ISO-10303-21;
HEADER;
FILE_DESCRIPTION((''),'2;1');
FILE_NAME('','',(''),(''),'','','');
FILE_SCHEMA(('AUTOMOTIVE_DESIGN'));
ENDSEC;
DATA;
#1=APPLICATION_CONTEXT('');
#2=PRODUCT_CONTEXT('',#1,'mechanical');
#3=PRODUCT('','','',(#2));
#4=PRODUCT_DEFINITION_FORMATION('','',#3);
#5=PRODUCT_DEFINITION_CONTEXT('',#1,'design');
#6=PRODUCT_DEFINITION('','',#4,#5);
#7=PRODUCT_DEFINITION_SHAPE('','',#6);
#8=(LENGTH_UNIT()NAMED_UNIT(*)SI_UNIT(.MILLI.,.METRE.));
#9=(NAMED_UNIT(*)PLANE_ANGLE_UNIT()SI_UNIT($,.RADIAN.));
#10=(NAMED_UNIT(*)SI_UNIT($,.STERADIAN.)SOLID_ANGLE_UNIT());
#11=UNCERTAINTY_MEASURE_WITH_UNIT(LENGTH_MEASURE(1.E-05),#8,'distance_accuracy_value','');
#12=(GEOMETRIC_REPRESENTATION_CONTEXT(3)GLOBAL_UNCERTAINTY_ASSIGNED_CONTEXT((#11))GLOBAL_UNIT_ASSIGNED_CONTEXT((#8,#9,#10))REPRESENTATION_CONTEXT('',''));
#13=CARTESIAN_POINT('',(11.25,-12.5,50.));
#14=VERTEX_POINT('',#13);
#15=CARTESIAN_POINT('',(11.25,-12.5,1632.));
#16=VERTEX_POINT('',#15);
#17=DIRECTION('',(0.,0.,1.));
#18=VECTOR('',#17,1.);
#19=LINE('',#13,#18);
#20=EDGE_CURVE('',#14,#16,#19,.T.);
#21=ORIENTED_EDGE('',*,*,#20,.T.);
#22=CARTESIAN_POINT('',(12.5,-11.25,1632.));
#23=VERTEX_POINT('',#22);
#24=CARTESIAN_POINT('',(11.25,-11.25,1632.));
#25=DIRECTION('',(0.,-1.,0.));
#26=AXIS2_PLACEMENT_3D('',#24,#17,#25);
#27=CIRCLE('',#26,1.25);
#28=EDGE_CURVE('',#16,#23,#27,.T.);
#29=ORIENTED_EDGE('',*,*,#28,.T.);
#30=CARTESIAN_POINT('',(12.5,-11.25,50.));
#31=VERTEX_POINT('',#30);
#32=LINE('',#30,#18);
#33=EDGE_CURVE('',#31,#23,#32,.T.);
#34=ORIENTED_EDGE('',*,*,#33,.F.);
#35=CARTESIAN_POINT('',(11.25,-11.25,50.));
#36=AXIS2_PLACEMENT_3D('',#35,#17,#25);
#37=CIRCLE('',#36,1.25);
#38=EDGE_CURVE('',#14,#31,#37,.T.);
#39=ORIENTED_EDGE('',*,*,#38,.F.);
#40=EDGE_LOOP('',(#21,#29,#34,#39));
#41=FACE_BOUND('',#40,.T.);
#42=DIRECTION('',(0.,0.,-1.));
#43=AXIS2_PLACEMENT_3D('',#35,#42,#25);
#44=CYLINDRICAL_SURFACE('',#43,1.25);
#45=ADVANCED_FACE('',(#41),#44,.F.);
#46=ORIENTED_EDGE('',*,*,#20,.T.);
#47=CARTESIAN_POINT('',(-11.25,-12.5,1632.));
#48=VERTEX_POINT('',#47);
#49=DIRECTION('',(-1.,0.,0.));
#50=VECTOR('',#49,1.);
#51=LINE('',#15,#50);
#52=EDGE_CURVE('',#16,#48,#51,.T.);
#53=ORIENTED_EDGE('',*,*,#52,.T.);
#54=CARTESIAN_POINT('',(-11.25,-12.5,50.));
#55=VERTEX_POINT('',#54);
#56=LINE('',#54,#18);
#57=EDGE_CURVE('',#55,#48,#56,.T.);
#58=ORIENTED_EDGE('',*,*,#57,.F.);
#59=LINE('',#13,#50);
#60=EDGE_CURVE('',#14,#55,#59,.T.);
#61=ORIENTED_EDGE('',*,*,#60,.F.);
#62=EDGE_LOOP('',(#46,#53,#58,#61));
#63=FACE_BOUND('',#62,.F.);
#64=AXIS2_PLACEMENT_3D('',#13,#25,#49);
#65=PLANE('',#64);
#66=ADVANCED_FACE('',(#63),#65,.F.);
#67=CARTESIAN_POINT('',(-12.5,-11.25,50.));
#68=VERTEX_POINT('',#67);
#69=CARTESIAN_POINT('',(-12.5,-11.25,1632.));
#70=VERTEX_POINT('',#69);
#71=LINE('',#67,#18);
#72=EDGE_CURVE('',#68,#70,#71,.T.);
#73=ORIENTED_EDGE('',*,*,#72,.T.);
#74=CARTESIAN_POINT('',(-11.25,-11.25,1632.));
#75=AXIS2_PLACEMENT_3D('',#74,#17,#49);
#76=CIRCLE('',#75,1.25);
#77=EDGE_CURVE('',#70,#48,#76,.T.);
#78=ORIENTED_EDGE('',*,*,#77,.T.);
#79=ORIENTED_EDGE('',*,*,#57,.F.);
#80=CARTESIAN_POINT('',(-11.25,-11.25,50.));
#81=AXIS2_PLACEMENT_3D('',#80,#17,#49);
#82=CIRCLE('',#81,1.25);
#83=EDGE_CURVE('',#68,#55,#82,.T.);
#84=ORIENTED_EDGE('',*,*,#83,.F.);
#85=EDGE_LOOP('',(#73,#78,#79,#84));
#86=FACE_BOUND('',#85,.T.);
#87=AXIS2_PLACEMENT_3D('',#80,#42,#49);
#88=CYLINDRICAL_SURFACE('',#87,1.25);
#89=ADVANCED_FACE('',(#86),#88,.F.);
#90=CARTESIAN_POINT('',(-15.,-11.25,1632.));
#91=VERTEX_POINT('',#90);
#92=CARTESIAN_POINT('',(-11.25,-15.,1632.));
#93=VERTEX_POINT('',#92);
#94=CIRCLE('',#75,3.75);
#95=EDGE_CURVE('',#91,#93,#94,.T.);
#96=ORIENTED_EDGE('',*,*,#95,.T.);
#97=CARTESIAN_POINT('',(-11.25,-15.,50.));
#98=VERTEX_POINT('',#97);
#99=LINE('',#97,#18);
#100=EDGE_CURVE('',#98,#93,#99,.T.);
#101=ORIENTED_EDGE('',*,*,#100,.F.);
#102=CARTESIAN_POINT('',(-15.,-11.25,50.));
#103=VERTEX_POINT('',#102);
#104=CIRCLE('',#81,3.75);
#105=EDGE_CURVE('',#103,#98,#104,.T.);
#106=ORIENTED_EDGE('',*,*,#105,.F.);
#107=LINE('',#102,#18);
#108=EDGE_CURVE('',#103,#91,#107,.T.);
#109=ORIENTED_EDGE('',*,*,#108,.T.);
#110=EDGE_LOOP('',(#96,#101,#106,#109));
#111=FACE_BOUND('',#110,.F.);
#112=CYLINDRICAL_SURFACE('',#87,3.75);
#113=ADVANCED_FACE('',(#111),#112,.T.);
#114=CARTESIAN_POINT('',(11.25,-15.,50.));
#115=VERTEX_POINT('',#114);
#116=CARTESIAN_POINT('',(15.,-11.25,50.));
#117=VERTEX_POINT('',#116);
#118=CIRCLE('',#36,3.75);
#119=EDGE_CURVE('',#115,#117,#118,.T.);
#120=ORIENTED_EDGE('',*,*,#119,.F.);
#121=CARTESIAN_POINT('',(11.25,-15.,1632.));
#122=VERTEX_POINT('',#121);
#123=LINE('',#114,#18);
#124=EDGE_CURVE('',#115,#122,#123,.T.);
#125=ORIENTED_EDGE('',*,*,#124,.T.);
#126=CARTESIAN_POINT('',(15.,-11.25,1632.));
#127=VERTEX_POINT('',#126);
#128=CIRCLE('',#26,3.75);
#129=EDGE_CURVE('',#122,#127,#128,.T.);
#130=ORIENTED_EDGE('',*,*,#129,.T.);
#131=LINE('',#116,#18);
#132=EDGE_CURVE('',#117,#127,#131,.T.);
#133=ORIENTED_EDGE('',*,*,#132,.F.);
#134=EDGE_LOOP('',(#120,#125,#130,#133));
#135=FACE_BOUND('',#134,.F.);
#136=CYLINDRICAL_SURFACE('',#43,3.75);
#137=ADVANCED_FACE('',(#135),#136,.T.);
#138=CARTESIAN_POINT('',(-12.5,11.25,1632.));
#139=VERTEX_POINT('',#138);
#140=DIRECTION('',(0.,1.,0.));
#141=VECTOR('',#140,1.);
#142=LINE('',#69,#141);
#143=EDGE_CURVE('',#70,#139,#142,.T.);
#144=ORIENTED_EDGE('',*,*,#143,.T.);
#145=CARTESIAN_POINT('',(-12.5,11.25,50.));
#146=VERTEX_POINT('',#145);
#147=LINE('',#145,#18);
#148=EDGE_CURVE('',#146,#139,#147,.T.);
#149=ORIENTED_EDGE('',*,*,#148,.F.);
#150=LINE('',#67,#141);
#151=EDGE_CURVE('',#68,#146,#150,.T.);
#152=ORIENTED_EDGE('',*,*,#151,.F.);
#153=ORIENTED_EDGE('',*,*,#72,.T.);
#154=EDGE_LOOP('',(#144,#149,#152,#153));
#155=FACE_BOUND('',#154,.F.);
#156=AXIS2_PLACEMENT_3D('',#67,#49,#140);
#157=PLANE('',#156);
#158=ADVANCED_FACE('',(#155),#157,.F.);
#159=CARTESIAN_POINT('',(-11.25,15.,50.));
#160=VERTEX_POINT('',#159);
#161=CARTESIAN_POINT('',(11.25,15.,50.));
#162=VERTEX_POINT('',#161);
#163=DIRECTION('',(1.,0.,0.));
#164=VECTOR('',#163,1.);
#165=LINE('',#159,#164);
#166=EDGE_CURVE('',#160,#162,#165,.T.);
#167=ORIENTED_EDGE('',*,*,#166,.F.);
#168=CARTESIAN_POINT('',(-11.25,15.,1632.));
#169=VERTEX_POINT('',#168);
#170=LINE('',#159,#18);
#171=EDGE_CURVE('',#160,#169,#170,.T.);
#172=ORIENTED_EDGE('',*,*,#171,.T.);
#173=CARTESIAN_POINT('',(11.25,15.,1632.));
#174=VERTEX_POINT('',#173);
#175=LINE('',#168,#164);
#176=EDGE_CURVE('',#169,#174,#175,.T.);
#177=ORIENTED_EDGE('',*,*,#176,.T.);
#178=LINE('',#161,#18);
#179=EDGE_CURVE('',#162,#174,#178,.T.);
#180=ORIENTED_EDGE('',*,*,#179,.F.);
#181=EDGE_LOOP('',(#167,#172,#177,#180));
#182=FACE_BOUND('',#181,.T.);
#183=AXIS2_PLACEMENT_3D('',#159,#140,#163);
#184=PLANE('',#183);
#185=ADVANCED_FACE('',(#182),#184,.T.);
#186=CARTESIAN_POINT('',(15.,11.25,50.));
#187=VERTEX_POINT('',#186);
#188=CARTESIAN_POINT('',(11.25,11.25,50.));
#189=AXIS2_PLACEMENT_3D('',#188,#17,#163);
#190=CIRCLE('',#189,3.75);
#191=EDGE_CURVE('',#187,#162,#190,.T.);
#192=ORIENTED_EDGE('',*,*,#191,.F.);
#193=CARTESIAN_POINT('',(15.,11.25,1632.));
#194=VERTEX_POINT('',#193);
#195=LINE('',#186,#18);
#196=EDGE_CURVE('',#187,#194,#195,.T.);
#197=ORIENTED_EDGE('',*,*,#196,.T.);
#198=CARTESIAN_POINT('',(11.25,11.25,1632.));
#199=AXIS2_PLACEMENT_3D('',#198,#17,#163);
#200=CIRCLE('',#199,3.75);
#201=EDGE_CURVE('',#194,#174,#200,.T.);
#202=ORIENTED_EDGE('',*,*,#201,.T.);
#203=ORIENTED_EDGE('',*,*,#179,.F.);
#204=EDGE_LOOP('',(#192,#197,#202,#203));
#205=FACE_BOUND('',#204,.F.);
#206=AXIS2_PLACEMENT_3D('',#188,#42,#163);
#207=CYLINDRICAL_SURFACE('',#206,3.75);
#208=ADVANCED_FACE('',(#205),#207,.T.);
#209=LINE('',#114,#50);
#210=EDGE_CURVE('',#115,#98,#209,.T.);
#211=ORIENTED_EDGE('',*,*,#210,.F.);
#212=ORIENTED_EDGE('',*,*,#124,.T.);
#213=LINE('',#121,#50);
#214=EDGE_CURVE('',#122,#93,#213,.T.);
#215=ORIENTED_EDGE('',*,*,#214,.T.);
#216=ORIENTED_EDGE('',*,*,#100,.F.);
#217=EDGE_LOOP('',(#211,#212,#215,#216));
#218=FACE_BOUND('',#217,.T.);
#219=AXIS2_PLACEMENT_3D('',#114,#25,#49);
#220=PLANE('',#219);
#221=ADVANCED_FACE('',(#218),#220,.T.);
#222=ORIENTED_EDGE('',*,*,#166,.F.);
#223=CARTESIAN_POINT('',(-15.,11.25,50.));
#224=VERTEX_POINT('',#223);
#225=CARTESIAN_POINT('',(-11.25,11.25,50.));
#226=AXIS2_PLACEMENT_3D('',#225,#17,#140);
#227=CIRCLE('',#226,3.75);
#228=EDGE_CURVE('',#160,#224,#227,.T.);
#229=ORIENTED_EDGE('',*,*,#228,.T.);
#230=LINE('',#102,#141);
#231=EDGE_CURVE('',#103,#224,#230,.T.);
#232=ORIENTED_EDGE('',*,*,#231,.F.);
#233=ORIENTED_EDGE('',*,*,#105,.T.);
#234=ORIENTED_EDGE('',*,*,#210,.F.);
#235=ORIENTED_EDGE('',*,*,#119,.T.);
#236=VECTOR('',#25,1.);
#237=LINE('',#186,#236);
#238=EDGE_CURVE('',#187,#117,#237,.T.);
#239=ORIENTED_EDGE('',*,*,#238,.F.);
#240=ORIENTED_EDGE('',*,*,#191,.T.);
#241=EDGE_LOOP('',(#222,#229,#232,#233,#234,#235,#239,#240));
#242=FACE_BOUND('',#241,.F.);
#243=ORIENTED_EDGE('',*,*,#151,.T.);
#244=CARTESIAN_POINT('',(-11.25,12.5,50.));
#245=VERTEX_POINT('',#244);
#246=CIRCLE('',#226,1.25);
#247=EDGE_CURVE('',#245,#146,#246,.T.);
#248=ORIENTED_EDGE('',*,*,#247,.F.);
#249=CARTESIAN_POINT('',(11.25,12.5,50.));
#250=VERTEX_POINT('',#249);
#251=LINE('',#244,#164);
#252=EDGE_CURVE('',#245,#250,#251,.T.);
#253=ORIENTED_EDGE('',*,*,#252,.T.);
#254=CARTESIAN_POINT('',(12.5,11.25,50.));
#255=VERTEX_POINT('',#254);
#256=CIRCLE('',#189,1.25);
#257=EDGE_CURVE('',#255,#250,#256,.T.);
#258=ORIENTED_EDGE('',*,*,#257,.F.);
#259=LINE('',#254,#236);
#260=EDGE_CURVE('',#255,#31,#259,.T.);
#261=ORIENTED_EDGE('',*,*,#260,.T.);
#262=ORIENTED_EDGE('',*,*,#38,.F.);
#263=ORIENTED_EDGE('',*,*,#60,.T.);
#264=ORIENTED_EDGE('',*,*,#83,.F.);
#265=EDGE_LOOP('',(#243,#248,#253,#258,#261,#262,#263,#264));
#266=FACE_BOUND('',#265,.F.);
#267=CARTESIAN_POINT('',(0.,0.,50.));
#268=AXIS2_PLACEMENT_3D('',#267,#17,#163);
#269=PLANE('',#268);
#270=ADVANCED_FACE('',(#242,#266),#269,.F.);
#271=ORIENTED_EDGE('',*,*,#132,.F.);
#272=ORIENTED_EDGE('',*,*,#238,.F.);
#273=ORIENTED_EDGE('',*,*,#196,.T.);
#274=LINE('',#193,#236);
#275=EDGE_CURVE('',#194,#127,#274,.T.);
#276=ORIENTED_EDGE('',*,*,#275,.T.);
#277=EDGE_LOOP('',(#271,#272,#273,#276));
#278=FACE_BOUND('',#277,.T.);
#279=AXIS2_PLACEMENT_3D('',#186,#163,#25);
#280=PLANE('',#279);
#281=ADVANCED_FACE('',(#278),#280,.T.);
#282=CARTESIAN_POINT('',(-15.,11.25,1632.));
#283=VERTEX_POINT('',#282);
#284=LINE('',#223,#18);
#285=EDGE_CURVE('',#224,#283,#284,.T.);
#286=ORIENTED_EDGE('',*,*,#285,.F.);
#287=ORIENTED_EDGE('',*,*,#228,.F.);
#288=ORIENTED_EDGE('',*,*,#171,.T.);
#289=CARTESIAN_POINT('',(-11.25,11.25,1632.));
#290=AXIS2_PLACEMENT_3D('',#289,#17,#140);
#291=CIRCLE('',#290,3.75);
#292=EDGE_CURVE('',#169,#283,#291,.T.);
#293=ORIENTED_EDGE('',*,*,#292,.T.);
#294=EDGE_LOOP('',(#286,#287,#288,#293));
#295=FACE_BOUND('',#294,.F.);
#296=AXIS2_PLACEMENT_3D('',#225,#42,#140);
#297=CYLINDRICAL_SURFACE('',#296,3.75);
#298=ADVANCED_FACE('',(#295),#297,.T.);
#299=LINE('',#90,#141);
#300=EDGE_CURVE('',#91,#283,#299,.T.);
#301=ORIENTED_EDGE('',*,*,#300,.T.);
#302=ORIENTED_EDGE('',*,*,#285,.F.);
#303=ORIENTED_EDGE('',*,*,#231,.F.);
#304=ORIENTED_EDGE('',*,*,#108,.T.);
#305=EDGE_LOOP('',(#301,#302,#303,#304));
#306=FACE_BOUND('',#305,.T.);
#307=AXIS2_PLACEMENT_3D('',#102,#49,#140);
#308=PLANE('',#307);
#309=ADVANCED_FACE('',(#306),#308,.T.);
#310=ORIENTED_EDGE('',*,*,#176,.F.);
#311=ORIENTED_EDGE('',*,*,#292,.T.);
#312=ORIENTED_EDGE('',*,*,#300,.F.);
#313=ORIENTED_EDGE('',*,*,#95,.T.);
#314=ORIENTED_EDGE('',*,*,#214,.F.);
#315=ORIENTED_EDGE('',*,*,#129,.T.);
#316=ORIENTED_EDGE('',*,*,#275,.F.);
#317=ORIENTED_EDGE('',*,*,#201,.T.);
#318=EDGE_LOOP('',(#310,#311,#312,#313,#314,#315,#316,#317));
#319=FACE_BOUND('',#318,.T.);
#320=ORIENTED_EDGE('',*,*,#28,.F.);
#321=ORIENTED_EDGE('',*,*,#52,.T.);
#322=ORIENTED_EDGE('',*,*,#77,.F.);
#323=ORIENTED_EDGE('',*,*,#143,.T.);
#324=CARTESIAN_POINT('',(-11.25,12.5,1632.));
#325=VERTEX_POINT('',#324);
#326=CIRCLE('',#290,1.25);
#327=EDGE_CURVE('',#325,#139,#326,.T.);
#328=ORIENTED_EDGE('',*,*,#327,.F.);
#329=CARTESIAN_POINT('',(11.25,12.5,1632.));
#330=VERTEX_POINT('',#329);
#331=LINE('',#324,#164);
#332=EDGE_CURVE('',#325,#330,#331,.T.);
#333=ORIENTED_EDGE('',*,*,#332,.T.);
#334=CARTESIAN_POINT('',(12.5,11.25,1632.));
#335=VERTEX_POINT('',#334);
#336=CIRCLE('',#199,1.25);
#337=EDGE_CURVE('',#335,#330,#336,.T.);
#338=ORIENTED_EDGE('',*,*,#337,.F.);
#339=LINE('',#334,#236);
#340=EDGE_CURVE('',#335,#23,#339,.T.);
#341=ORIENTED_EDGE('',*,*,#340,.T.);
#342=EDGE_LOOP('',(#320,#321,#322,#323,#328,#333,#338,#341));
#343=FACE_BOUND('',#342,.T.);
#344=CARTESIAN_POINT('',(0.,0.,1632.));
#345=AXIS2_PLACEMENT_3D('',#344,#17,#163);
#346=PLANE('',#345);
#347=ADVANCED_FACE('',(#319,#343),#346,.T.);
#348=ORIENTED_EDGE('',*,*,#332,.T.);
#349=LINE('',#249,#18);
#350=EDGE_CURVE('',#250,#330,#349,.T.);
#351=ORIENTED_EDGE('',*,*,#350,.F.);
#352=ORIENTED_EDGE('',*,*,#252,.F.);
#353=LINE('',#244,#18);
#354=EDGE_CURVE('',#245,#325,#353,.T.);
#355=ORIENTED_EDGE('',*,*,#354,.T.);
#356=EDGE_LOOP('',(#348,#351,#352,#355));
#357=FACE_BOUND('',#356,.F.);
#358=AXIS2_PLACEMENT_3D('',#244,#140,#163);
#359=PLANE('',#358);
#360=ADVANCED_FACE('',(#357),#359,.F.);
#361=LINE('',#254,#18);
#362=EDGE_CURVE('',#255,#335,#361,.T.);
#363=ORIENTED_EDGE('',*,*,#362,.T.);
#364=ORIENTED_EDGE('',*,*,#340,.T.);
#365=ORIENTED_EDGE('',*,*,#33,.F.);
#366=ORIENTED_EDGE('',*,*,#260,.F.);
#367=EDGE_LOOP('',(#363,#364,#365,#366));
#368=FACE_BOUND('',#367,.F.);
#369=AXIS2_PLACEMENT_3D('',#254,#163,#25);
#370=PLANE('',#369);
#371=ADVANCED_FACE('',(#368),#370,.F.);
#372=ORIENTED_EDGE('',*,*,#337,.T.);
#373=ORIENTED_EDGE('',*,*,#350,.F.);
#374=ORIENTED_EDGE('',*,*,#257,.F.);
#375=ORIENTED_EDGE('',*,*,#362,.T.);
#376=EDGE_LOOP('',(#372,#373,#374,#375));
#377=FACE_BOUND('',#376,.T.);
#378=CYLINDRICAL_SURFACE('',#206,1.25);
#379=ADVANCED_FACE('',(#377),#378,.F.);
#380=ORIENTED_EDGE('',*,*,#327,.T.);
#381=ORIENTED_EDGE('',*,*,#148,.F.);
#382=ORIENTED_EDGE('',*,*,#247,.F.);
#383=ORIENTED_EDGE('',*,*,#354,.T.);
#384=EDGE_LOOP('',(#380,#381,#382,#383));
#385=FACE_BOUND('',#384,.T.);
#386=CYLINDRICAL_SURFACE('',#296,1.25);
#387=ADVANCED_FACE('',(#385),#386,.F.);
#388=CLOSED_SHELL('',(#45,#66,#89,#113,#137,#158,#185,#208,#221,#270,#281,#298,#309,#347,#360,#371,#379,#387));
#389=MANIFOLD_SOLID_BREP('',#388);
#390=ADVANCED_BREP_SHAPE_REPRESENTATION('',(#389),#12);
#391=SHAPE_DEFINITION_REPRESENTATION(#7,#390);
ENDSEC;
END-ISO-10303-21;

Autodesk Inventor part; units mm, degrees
ref_plane "Start plane" through (0, 0, 50) normal (0, 0, 1) x (1, 0, 0)
ref_plane "End plane" through (0, 0, 1632) normal (0, 0, 1) x (1, 0, 0)
sketch "Sketch" plane through (0, 0, 0) normal (0, 0, 1) x (1, 0, 0)
  line L0 (-15, -11.25) -> (-15, 11.25)
  line L1 (-11.25, 15) -> (11.25, 15)
  line L2 (15, 11.25) -> (15, -11.25)
  line L3 (11.25, -15) -> (-11.25, -15)
  arc A0 (-15, -11.25) -> (-11.25, -15) centre (-11.25, -11.25) ccw
  arc A1 (-11.25, 15) -> (-15, 11.25) centre (-11.25, 11.25) ccw
  arc A2 (15, 11.25) -> (11.25, 15) centre (11.25, 11.25) ccw
  arc A3 (11.25, -15) -> (15, -11.25) centre (11.25, -11.25) ccw
  arc A4 (-11.25, 12.5) -> (-12.5, 11.25) centre (-11.25, 11.25) ccw
  line L4 (-11.25, 12.5) -> (11.25, 12.5)
  arc A5 (12.5, 11.25) -> (11.25, 12.5) centre (11.25, 11.25) ccw
  line L5 (12.5, 11.25) -> (12.5, -11.25)
  arc A6 (11.25, -12.5) -> (12.5, -11.25) centre (11.25, -11.25) ccw
  line L6 (11.25, -12.5) -> (-11.25, -12.5)
  arc A7 (-12.5, -11.25) -> (-11.25, -12.5) centre (-11.25, -11.25) ccw
  line L7 (-12.5, -11.25) -> (-12.5, 11.25)
  line L8 (0, 22.0873) -> (0, -22.0873) construction
  line L9 (-22.0873, 0) -> (22.0873, 0) construction
  dimension "d7" = 3.75
  dimension "d10" = 30
  dimension "d11" = 30
  dimension "d12" = 2.5
  dimension "d15" = 15
  dimension "d16" = 15
extrude "Body" add sketch "Sketch" along normal up to surface (1582 mm away) from surface at 50
sketch "Sketch3" plane through (0, 0, 0) normal (0, 0, 1) x (1, 0, 0)
  line L0 (0, 0) -> (10, 0)
ref_plane "Work Plane3" through (0, 0, 0) normal (0, -1, 0) x (1, 0, 0)
sketch "Sketch4" plane through (0, 0, 0) normal (0, -1, 0) x (1, 0, 0)
  line L0 (-2, 50) -> (12, 50)
  line L1 (-2, 1632) -> (12, 1632)
  dimension "d18" = 1582
ref_plane "Work Plane4" through (9.2, 45, 1632) normal (0, 0, 1) x (1, 0, 0)
split "Split1" plane through (9.2, 45, 1632) removes the side toward (0, 0, 1)
ref_plane "Work Plane5" through (-629.2, 45, 50) normal (0, 0, -1) x (-1, 0, 0)
split "Split2" plane through (-629.2, 45, 50) removes the side toward (0, 0, -1)
ref_plane "Work Plane6" through (-630.2, -705, 1632) normal (0, 0, 1) x (1, 0, 0)
split "Split3" plane through (-630.2, -705, 1632) removes the side toward (0, 0, 1)
equation "\"d7\" = G_IR"
equation "\"d10\" = G_H"
equation "\"d11\" = G_W"
equation "\"d12\" = G_T"
equation "\"d15\" = 0.5 * d10"
equation "\"d16\" = 0.5 * d11"
equation "\"d3\" = G_L"
equation "\"G_W\" = 30"
equation "\"G_H\" = 30"
equation "\"G_T\" = 2.5"
equation "\"G_IR\" = 3.75"
equation "\"G_L\" = d18"
equation "\"d14\" = G_OFFSET_END + B_L"
equation "\"B_L\" = 1682"
equation "\"G_OFFSET_END\" = -50"
properties part number "DIN EN 10305-5 - 30 x 30 x 2,5  - 1582" material "Steel, Mild"
